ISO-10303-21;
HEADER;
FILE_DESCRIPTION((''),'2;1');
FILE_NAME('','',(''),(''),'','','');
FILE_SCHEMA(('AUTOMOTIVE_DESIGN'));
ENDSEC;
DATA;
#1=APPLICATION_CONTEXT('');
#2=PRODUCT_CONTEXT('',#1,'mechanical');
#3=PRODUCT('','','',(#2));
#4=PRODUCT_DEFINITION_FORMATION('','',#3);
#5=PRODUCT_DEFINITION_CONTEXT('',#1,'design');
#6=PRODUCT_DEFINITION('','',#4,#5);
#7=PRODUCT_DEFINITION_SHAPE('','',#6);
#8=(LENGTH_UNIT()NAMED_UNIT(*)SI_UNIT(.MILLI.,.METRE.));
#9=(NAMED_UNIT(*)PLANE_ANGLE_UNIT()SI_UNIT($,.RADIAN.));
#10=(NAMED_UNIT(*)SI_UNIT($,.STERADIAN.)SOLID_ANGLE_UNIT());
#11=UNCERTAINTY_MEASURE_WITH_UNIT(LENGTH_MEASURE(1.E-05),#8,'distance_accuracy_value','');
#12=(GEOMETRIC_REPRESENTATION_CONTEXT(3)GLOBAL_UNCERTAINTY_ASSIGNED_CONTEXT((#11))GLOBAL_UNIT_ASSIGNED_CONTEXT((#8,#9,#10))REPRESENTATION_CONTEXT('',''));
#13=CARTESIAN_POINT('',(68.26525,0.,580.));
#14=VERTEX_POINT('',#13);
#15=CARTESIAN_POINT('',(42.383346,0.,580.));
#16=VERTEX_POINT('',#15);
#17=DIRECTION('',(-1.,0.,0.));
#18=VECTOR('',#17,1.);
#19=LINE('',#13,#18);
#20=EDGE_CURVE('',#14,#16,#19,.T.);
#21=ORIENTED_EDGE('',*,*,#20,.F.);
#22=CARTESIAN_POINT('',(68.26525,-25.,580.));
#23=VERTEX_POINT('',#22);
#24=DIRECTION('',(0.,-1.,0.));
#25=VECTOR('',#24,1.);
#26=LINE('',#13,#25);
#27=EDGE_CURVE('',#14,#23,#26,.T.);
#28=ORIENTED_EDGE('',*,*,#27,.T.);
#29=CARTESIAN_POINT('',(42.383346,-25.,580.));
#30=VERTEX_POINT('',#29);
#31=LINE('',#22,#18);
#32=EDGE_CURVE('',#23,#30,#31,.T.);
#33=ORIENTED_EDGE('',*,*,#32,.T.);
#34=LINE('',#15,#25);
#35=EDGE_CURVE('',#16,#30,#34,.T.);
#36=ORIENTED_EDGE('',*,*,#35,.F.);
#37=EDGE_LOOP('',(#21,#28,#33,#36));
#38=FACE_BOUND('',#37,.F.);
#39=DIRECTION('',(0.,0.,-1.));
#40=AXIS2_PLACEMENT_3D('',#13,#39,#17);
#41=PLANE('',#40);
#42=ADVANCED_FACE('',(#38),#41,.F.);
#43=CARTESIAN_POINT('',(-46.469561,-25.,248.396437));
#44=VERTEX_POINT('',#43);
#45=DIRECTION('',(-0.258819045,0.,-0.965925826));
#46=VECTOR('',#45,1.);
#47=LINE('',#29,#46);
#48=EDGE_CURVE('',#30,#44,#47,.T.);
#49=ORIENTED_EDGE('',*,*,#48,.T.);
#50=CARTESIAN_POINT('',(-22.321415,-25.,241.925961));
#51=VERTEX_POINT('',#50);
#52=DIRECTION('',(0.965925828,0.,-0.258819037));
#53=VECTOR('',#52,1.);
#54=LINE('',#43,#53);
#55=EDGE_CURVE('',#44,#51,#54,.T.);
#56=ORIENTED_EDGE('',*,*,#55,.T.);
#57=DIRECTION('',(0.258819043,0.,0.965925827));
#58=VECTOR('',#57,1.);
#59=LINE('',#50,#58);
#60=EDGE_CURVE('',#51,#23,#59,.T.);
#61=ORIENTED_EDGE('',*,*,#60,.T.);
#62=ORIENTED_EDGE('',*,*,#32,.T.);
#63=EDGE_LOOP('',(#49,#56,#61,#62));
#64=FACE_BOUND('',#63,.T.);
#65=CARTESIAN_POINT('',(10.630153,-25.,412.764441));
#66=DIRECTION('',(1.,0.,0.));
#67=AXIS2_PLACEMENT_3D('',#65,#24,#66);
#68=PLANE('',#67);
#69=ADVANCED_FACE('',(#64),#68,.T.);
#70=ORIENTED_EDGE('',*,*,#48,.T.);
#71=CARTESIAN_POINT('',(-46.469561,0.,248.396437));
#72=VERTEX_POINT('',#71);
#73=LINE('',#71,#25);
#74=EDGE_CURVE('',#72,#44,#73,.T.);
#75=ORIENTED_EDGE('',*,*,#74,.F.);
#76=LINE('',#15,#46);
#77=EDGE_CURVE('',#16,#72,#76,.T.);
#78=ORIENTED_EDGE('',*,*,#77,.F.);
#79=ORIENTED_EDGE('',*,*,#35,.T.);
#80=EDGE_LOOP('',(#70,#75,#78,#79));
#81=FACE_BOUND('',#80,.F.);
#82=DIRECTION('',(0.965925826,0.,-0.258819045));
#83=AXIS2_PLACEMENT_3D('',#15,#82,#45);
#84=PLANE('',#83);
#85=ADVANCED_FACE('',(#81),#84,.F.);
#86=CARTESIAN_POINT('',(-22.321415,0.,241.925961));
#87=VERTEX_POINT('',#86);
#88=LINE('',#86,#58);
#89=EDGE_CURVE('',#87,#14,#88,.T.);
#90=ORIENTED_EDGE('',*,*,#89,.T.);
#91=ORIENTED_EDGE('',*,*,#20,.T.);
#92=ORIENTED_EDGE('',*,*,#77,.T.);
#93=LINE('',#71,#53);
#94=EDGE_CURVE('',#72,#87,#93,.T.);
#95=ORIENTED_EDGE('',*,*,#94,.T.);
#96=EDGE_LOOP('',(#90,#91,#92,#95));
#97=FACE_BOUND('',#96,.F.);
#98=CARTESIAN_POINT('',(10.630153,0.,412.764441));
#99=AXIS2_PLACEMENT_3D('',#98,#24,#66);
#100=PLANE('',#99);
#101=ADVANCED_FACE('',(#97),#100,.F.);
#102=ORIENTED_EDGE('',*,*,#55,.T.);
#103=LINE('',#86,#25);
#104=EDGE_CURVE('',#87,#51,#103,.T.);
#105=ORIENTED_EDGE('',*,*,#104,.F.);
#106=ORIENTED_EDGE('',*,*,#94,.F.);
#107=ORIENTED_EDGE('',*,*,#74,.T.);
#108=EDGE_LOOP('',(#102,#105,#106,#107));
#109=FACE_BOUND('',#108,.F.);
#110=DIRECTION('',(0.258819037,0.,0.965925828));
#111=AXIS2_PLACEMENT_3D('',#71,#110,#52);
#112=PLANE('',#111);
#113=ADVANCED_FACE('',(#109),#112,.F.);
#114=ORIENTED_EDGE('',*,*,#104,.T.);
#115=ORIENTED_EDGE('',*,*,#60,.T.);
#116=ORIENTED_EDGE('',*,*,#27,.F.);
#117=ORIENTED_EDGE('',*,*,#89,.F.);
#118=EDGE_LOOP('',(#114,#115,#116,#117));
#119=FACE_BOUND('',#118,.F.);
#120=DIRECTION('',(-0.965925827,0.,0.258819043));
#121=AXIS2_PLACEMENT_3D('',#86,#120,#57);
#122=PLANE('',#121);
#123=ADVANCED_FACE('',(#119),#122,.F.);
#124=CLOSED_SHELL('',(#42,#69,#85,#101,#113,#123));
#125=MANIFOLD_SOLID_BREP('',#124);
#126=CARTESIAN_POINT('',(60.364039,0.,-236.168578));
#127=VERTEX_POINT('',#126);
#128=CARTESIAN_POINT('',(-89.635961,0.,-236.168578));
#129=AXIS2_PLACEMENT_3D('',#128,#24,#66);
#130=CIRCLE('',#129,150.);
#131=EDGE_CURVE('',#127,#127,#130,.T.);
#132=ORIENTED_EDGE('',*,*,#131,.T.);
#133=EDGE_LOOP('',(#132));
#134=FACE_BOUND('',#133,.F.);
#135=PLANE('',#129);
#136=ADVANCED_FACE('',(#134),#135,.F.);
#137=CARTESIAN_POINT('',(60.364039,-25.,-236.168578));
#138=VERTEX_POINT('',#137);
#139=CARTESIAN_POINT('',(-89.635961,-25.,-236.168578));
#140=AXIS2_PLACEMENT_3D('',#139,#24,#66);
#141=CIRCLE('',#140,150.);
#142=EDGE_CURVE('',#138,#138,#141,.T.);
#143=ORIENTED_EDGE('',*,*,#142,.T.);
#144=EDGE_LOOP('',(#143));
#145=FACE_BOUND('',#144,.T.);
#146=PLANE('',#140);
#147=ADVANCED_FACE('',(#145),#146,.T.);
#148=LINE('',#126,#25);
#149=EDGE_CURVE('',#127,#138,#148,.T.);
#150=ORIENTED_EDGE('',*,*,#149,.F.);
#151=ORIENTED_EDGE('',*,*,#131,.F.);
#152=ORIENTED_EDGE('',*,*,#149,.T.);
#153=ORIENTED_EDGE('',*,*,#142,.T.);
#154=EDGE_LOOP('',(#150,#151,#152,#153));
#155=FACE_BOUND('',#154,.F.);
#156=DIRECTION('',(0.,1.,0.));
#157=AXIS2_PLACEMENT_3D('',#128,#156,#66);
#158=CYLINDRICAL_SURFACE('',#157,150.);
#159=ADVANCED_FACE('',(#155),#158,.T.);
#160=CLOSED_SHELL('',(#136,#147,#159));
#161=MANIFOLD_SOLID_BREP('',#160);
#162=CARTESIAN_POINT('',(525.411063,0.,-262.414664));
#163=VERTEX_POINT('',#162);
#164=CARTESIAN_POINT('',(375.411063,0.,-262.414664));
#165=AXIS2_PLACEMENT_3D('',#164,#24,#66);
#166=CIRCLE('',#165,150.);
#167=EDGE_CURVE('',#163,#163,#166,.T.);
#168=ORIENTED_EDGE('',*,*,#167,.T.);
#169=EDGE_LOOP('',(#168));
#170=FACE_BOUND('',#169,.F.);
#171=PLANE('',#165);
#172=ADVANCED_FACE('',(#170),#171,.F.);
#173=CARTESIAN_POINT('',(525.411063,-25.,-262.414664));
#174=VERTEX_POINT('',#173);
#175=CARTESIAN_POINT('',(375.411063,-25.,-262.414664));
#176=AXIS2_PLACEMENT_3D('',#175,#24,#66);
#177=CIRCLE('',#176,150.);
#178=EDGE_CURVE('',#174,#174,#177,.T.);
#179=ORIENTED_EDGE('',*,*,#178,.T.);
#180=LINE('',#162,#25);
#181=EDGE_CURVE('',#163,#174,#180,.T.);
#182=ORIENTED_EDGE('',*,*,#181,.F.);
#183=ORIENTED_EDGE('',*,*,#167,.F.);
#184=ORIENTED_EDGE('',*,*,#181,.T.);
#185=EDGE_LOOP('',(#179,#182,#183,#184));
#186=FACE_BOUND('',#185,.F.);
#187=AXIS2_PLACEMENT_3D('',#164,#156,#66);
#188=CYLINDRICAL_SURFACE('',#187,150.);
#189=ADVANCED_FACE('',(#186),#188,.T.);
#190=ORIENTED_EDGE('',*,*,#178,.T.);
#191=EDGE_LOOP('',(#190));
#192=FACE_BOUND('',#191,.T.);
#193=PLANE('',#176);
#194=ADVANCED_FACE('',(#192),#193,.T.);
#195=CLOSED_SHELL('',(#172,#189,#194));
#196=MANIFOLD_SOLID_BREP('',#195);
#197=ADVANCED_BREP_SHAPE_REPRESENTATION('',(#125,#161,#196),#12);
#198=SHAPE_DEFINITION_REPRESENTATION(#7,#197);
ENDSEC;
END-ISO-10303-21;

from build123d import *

# Parameters (mm, degrees)
F0_R     = 150
F1_DEPTH = 25


with BuildPart() as f1:
    # F0 (on Front) → F1 (new body)
    with BuildSketch(Plane.XZ):
        Polygon((44.641016, 580), (42.383346, 580), (-46.469561, 248.396437), (-22.321415, 241.925961), (68.26525, 580), align=None)
        with Locations((-89.635961, -236.168578)):
            Circle(F0_R)
        with Locations((375.411063, -262.414664)):
            Circle(F0_R)
    extrude(amount=F1_DEPTH)


solid = f1.part
